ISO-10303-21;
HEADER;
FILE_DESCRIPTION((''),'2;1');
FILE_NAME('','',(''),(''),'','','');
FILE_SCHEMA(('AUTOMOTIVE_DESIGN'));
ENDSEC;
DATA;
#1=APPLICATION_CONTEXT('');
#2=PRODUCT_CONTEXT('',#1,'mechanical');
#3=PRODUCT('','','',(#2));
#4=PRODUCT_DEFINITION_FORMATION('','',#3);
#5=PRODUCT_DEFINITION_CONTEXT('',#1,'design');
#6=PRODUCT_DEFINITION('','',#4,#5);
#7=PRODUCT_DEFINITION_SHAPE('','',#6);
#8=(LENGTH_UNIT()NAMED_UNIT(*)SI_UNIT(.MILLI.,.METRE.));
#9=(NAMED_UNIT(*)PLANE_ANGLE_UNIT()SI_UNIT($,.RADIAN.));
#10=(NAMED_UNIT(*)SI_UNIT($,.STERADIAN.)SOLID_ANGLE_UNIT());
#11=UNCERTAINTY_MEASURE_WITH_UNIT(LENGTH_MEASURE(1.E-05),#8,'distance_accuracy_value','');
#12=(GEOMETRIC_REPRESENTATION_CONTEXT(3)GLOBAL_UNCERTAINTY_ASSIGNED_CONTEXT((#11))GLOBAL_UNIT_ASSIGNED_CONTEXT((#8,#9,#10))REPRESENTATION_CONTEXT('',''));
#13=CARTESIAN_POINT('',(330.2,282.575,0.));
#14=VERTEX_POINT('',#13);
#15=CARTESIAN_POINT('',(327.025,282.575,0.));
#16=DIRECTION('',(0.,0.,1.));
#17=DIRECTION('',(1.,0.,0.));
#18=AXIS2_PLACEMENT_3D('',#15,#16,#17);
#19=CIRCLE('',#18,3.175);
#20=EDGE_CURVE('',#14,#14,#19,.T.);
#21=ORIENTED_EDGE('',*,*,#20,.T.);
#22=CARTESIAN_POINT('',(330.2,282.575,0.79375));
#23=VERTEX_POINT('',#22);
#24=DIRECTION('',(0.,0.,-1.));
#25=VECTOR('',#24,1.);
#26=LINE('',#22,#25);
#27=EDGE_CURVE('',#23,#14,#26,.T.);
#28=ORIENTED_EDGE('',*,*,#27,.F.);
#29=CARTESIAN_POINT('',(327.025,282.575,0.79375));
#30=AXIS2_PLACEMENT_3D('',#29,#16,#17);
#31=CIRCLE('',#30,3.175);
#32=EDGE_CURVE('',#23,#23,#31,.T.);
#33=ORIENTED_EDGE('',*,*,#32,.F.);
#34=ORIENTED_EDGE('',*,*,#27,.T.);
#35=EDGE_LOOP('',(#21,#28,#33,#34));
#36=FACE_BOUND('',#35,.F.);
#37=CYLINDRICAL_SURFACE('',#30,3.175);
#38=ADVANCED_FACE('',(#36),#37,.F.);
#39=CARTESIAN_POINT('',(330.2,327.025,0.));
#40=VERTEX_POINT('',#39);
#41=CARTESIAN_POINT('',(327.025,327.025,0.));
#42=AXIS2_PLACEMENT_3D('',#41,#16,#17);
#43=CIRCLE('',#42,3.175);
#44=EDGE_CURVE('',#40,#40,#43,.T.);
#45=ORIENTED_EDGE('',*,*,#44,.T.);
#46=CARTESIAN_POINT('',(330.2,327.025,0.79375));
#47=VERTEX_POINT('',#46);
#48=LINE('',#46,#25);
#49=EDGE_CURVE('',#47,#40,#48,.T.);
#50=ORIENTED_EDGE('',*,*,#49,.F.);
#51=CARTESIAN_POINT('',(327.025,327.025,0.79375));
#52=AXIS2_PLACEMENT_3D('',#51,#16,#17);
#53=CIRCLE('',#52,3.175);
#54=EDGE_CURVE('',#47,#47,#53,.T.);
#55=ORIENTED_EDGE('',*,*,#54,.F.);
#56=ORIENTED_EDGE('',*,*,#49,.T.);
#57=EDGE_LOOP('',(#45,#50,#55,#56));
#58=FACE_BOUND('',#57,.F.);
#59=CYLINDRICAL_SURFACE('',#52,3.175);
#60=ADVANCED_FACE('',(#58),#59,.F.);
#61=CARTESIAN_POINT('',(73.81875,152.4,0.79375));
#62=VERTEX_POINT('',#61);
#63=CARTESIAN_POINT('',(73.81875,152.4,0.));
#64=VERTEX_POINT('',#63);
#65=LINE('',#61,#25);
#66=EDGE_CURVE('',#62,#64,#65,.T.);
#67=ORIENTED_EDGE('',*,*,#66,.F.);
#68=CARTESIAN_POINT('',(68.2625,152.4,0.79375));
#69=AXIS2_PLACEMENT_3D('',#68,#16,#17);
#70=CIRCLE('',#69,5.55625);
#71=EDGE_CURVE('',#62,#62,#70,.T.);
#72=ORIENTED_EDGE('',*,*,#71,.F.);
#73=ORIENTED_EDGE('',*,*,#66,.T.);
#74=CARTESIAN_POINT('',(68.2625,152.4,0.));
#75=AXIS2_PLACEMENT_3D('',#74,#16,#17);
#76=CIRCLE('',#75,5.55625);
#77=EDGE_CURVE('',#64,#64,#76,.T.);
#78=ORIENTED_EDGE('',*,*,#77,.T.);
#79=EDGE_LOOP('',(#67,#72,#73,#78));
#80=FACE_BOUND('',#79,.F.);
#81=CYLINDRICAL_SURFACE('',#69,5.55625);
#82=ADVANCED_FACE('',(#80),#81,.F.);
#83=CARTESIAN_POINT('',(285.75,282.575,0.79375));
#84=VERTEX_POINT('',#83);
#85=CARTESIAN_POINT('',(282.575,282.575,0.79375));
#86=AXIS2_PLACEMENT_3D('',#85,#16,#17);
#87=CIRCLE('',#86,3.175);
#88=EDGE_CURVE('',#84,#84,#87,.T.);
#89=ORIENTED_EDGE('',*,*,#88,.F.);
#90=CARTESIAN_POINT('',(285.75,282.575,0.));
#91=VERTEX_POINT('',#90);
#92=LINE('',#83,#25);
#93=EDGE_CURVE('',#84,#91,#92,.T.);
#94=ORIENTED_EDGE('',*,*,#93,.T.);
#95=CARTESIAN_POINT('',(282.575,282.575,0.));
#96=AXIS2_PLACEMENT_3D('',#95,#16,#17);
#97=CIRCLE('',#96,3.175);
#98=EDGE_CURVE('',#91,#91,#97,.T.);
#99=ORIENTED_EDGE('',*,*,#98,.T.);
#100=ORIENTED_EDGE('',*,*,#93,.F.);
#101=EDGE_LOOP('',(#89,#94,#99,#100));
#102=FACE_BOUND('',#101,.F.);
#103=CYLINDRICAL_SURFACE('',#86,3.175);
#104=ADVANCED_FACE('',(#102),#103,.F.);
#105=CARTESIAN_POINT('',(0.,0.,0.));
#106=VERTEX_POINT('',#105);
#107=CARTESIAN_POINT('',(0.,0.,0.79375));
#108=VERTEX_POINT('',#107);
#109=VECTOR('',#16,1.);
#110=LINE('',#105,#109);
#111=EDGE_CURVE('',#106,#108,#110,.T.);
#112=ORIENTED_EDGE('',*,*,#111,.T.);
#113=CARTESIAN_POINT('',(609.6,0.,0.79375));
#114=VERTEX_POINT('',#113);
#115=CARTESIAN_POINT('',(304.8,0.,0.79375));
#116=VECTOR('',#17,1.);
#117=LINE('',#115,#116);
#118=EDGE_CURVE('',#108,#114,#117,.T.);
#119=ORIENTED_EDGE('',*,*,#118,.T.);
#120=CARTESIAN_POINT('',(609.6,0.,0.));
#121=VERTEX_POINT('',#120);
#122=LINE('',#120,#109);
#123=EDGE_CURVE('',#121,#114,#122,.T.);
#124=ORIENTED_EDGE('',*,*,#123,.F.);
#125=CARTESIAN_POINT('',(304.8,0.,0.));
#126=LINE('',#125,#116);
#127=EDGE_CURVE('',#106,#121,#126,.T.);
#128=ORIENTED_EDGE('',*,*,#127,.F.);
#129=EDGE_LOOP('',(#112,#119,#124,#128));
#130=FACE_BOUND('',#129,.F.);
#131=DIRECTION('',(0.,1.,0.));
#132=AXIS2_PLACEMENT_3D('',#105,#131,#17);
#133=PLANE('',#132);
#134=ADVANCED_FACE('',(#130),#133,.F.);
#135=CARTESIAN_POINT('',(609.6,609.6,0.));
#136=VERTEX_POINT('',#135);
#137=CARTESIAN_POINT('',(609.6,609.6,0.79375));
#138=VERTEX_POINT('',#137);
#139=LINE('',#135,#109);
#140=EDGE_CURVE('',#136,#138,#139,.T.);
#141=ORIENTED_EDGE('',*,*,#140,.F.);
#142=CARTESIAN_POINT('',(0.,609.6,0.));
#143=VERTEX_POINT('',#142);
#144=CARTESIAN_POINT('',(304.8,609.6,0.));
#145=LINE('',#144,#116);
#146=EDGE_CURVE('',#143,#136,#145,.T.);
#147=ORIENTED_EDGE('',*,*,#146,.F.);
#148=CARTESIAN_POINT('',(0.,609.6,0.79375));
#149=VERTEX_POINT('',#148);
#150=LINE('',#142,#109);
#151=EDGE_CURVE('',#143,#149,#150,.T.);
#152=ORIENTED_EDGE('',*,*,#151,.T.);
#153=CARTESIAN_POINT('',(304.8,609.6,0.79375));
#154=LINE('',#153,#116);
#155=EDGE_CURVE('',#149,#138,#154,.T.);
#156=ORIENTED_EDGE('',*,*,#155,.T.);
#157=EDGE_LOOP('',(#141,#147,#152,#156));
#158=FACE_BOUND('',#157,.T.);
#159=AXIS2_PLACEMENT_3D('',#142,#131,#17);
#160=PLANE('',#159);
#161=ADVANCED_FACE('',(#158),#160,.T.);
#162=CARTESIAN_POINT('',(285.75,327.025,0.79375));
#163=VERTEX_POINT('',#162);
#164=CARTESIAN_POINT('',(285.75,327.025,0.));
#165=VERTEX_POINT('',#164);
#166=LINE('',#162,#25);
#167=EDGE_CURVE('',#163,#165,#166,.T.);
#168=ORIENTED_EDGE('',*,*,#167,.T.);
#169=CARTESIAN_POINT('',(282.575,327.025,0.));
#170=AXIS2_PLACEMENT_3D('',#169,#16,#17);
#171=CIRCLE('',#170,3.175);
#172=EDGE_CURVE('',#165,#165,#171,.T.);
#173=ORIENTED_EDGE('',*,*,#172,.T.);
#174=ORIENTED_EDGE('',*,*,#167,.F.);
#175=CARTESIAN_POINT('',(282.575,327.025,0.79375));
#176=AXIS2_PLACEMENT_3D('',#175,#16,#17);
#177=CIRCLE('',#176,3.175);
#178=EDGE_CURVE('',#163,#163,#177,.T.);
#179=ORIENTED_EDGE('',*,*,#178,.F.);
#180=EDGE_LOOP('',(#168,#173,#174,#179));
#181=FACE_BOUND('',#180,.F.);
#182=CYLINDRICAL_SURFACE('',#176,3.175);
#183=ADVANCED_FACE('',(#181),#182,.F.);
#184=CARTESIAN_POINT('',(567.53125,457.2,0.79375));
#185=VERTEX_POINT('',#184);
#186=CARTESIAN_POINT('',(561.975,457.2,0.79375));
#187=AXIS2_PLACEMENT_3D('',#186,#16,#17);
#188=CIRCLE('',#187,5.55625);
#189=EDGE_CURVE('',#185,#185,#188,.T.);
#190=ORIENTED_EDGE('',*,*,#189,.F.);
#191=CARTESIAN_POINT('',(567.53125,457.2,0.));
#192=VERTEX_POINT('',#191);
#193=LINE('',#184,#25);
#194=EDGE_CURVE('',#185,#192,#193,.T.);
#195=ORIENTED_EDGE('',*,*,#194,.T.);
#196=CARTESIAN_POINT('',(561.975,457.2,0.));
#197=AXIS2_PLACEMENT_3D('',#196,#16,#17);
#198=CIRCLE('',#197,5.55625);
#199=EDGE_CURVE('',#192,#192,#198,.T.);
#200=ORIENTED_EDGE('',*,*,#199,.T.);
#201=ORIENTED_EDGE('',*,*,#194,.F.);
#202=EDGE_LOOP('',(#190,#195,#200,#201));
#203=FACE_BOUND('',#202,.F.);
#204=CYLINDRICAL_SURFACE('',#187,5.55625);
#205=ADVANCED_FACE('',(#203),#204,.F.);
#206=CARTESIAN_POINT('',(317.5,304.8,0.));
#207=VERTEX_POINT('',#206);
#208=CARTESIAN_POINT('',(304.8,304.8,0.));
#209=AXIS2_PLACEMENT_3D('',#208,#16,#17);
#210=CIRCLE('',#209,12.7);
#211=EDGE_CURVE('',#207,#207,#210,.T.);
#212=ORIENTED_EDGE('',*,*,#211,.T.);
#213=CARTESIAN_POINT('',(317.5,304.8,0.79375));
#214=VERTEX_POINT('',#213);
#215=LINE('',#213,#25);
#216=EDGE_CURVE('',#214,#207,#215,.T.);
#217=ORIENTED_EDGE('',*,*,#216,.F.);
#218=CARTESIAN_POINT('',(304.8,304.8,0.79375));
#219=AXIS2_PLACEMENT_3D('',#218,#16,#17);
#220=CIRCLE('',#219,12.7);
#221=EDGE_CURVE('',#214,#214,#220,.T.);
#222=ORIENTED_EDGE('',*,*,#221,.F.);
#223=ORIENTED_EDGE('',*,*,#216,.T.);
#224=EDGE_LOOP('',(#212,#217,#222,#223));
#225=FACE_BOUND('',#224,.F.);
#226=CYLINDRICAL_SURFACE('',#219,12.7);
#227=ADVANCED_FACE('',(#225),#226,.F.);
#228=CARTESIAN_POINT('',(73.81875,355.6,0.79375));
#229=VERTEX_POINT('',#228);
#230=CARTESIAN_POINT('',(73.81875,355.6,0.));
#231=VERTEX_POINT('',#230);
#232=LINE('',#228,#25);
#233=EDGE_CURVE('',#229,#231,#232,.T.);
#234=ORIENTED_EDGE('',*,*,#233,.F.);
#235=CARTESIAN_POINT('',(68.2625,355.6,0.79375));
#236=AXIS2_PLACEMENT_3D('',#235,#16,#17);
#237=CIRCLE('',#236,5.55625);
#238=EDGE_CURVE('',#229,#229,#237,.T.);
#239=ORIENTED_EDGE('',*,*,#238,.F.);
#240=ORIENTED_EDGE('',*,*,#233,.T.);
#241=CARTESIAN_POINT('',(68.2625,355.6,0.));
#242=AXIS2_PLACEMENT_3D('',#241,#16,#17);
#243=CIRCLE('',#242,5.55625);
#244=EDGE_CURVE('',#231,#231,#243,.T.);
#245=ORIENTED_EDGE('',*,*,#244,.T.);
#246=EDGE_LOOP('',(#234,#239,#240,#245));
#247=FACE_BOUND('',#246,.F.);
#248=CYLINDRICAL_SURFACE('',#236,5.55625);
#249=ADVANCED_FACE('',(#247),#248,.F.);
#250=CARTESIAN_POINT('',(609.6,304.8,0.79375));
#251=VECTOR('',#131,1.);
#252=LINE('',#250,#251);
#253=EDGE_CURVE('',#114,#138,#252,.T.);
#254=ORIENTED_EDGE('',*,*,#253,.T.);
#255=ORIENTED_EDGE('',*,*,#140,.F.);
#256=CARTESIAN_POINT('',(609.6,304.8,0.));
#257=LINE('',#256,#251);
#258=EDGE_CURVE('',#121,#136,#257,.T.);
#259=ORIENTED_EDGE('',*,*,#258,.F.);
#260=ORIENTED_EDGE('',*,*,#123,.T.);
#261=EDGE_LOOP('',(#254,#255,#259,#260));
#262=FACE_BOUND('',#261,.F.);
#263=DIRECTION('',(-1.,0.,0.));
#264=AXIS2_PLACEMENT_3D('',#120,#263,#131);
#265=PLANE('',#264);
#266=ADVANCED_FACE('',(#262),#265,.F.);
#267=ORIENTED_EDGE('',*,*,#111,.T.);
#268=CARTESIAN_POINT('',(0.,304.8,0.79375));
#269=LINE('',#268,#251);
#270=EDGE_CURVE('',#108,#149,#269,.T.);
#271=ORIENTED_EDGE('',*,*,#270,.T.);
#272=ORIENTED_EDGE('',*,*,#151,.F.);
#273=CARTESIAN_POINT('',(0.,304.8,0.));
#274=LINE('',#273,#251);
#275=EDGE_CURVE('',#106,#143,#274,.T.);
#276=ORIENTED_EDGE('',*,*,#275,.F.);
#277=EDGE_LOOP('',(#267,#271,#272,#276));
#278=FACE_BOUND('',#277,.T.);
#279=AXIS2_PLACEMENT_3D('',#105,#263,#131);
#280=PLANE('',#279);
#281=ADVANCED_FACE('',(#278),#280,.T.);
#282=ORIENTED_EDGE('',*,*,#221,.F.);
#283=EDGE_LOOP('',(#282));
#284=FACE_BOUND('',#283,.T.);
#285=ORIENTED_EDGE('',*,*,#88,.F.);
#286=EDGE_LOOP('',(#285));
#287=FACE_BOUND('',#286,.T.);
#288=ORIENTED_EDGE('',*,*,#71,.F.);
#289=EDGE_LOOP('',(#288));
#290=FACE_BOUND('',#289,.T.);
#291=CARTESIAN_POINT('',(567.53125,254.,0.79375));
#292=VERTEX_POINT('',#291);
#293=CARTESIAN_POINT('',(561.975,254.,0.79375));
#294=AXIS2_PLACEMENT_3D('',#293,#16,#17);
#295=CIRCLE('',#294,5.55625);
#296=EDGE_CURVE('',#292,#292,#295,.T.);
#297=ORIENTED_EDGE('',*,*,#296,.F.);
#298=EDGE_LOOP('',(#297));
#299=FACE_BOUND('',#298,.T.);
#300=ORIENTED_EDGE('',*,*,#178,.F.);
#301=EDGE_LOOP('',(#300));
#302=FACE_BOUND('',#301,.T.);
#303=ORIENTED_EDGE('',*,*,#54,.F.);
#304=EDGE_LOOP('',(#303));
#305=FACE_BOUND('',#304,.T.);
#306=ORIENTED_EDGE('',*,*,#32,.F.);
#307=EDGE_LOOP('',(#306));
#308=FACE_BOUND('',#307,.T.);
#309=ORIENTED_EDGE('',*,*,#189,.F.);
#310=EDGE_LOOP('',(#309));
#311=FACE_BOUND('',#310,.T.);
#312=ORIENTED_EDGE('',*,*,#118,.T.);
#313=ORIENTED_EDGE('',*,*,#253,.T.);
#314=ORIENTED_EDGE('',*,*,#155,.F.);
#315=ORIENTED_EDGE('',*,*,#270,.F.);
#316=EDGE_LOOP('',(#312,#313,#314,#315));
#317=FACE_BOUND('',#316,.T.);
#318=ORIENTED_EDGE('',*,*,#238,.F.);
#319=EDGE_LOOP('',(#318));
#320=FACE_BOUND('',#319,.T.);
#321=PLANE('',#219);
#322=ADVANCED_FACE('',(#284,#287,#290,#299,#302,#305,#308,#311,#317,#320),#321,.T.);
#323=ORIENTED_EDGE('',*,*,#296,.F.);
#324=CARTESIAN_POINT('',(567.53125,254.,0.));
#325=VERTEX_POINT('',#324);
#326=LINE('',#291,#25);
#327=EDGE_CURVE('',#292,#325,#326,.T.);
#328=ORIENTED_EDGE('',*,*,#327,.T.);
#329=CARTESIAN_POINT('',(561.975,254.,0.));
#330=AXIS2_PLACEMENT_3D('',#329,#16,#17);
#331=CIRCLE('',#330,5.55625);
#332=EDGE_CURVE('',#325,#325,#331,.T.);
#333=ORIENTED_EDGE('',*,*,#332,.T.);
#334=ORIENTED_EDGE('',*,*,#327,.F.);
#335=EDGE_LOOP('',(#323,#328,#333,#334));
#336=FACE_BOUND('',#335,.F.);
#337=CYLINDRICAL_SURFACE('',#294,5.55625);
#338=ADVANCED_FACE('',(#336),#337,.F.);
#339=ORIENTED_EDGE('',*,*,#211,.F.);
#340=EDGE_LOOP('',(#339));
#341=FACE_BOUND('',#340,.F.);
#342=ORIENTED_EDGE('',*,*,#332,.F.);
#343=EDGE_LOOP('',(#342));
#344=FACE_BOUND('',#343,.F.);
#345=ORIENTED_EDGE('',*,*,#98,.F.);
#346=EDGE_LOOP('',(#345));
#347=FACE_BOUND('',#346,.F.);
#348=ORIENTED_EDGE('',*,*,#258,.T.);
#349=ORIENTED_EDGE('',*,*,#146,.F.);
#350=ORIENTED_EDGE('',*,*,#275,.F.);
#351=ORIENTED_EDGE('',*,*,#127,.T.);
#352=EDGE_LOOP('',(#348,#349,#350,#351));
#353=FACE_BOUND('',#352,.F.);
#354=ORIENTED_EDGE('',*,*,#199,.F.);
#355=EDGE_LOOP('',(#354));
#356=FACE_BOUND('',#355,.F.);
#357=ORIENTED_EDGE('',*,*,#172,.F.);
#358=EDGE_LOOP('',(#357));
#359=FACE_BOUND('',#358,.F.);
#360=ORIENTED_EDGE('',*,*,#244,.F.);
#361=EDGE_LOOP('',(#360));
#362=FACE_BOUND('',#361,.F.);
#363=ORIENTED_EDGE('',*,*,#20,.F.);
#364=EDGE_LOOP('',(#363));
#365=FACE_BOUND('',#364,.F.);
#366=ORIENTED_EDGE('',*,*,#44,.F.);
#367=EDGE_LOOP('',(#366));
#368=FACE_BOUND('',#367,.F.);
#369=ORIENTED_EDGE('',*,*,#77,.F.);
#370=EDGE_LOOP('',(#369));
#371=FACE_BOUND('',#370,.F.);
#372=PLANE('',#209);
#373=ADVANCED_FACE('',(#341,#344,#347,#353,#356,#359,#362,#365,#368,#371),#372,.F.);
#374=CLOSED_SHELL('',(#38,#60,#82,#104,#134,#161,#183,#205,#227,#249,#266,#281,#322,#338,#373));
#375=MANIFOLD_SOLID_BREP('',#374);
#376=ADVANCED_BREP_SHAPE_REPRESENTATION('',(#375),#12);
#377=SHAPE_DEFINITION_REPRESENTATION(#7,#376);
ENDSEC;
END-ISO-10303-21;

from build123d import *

# Parameters (mm, degrees)
F0_W     = 609.6
F0_H     = 609.6
F1_DEPTH = 0.79375
F2_R     = 5.55625
F3_DEPTH = 25.4
F4_R     = 12.7
F4_R_2   = 3.175
F5_DEPTH = 25.4


with BuildPart() as f1:
    # F0 (on Top) → F1 (new body)
    with BuildSketch(Plane.XY):
        with Locations((304.8, 304.8)):
            Rectangle(F0_W, F0_H)
    extrude(amount=F1_DEPTH)

    # F2 (on face) → F3 (cut)
    with BuildSketch(Plane.XY.offset(0.79375)):
        with Locations((68.2625, 152.4)):
            Circle(F2_R)
        with Locations((68.2625, 355.6)):
            Circle(F2_R)
        with Locations((561.975, 254)):
            Circle(F2_R)
        with Locations((561.975, 457.2)):
            Circle(F2_R)
    extrude(amount=-F3_DEPTH, mode=Mode.SUBTRACT)

    # F4 (on face) → F5 (cut)
    with BuildSketch(Plane.XY.offset(0.79375)):
        with Locations((304.8, 304.8)):
            Circle(F4_R)
        with Locations((282.575, 327.025)):
            Circle(F4_R_2)
        with Locations((327.025, 327.025)):
            Circle(F4_R_2)
        with Locations((327.025, 282.575)):
            Circle(F4_R_2)
        with Locations((282.575, 282.575)):
            Circle(F4_R_2)
    extrude(amount=-F5_DEPTH, mode=Mode.SUBTRACT)


solid = f1.part
